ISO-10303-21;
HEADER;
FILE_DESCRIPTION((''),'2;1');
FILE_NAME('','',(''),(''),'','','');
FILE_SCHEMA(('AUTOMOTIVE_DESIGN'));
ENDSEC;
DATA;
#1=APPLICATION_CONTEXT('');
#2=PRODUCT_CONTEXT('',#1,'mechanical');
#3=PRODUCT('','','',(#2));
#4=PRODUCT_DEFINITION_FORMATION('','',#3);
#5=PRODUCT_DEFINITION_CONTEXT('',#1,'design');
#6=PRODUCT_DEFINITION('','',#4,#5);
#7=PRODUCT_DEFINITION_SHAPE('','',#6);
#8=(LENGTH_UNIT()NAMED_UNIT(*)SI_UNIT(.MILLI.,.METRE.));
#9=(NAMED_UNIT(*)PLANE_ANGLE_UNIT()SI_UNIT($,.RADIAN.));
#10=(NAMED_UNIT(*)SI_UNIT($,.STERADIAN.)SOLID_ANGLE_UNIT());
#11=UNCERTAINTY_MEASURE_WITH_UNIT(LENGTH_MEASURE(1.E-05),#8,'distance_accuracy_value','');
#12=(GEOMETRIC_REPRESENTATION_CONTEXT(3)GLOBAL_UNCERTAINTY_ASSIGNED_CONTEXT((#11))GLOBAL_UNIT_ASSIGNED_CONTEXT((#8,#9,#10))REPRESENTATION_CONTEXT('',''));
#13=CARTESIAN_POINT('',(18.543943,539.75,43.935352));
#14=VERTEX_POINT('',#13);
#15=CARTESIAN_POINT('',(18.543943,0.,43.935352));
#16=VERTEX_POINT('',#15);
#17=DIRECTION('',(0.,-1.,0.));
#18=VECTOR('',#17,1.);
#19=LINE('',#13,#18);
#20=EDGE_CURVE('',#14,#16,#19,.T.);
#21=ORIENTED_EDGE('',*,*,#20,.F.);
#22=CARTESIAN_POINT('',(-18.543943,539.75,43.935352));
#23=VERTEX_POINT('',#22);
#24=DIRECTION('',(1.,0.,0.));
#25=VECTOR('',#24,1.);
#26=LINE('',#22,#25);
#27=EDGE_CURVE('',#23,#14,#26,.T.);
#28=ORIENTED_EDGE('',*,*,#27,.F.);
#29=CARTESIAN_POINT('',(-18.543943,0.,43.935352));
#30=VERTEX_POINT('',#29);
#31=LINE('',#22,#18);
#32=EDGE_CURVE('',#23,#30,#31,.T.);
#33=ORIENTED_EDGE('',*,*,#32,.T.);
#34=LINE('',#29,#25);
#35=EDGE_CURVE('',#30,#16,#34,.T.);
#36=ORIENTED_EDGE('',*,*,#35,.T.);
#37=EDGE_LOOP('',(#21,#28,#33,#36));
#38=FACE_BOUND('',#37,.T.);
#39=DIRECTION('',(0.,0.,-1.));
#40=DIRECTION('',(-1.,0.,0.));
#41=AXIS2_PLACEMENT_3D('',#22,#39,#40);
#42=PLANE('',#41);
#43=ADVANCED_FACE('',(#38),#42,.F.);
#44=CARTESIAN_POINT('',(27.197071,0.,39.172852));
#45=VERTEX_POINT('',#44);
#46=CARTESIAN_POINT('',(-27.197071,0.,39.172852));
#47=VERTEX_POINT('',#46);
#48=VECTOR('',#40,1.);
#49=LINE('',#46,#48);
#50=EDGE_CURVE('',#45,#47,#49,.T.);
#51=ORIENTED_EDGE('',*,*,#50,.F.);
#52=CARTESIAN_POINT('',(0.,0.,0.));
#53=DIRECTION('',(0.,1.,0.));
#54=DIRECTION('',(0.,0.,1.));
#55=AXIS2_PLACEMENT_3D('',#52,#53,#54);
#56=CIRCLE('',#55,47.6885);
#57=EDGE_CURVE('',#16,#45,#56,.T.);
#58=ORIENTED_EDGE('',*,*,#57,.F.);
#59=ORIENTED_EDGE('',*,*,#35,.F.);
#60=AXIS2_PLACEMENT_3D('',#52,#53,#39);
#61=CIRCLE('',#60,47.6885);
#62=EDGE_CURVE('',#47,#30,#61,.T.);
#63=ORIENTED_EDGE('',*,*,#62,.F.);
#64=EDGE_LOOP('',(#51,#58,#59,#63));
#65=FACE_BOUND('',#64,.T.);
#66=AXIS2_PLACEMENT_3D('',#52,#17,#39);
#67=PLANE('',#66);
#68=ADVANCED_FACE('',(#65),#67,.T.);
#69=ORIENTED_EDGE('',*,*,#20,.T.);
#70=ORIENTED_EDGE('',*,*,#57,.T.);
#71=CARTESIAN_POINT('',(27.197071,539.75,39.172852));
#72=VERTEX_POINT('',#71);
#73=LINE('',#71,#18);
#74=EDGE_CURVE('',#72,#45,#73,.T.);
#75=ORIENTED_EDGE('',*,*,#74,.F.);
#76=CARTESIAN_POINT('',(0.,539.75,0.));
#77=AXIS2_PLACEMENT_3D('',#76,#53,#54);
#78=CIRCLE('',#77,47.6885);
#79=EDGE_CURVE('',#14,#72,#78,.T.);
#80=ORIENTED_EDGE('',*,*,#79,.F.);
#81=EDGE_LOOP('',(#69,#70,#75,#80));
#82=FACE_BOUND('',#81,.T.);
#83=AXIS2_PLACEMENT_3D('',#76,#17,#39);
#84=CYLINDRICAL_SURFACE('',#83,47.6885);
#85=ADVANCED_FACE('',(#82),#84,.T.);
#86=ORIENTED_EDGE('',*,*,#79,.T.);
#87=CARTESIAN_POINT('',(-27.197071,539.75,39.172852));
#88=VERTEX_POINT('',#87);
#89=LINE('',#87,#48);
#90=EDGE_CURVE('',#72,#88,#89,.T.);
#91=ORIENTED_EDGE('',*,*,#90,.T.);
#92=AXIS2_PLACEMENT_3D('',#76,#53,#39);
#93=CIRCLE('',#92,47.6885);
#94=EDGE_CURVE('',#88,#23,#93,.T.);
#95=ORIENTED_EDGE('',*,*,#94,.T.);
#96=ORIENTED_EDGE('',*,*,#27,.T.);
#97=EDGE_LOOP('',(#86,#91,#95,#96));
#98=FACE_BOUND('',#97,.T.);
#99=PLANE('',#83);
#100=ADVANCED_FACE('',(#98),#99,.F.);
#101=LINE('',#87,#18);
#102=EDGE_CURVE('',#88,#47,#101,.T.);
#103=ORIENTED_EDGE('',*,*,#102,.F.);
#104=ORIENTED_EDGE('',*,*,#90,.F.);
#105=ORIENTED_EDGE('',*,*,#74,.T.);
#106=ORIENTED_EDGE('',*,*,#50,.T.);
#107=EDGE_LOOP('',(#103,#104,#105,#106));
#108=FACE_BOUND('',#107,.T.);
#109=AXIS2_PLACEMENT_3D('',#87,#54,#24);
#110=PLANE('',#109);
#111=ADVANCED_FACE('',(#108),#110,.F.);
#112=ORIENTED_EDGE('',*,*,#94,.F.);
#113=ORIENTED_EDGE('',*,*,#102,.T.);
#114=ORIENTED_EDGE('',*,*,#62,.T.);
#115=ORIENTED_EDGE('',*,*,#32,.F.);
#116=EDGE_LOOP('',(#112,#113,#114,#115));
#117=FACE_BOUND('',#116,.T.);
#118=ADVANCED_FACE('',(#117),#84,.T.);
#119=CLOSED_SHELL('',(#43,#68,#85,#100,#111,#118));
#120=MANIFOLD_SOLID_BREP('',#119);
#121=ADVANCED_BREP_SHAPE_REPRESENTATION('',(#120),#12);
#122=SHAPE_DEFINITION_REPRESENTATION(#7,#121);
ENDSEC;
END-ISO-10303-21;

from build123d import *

# Parameters (mm, degrees)
BOSS_EXTRUDE1_DEPTH = 539.75


with BuildPart() as part:
    # Sketch1 → Boss-Extrude1 (new body)
    with BuildSketch(Plane(origin=(0, 0, 0), x_dir=(1, 0, 0), z_dir=(0, 1, 0))):
        with BuildLine():
            Line((-18.54394343, -43.935352443), (18.54394343, -43.935352443))
            ThreePointArc((18.54394343, -43.935352443), (22.994139444, -41.778733627), (27.197070866, -39.172852443))
            Line((27.197070866, -39.172852443), (-27.197070866, -39.172852443))
            ThreePointArc((-27.197070866, -39.172852443), (-22.994139444, -41.778733627), (-18.54394343, -43.935352443))
        make_face()
    extrude(amount=BOSS_EXTRUDE1_DEPTH)


solid = part.part
